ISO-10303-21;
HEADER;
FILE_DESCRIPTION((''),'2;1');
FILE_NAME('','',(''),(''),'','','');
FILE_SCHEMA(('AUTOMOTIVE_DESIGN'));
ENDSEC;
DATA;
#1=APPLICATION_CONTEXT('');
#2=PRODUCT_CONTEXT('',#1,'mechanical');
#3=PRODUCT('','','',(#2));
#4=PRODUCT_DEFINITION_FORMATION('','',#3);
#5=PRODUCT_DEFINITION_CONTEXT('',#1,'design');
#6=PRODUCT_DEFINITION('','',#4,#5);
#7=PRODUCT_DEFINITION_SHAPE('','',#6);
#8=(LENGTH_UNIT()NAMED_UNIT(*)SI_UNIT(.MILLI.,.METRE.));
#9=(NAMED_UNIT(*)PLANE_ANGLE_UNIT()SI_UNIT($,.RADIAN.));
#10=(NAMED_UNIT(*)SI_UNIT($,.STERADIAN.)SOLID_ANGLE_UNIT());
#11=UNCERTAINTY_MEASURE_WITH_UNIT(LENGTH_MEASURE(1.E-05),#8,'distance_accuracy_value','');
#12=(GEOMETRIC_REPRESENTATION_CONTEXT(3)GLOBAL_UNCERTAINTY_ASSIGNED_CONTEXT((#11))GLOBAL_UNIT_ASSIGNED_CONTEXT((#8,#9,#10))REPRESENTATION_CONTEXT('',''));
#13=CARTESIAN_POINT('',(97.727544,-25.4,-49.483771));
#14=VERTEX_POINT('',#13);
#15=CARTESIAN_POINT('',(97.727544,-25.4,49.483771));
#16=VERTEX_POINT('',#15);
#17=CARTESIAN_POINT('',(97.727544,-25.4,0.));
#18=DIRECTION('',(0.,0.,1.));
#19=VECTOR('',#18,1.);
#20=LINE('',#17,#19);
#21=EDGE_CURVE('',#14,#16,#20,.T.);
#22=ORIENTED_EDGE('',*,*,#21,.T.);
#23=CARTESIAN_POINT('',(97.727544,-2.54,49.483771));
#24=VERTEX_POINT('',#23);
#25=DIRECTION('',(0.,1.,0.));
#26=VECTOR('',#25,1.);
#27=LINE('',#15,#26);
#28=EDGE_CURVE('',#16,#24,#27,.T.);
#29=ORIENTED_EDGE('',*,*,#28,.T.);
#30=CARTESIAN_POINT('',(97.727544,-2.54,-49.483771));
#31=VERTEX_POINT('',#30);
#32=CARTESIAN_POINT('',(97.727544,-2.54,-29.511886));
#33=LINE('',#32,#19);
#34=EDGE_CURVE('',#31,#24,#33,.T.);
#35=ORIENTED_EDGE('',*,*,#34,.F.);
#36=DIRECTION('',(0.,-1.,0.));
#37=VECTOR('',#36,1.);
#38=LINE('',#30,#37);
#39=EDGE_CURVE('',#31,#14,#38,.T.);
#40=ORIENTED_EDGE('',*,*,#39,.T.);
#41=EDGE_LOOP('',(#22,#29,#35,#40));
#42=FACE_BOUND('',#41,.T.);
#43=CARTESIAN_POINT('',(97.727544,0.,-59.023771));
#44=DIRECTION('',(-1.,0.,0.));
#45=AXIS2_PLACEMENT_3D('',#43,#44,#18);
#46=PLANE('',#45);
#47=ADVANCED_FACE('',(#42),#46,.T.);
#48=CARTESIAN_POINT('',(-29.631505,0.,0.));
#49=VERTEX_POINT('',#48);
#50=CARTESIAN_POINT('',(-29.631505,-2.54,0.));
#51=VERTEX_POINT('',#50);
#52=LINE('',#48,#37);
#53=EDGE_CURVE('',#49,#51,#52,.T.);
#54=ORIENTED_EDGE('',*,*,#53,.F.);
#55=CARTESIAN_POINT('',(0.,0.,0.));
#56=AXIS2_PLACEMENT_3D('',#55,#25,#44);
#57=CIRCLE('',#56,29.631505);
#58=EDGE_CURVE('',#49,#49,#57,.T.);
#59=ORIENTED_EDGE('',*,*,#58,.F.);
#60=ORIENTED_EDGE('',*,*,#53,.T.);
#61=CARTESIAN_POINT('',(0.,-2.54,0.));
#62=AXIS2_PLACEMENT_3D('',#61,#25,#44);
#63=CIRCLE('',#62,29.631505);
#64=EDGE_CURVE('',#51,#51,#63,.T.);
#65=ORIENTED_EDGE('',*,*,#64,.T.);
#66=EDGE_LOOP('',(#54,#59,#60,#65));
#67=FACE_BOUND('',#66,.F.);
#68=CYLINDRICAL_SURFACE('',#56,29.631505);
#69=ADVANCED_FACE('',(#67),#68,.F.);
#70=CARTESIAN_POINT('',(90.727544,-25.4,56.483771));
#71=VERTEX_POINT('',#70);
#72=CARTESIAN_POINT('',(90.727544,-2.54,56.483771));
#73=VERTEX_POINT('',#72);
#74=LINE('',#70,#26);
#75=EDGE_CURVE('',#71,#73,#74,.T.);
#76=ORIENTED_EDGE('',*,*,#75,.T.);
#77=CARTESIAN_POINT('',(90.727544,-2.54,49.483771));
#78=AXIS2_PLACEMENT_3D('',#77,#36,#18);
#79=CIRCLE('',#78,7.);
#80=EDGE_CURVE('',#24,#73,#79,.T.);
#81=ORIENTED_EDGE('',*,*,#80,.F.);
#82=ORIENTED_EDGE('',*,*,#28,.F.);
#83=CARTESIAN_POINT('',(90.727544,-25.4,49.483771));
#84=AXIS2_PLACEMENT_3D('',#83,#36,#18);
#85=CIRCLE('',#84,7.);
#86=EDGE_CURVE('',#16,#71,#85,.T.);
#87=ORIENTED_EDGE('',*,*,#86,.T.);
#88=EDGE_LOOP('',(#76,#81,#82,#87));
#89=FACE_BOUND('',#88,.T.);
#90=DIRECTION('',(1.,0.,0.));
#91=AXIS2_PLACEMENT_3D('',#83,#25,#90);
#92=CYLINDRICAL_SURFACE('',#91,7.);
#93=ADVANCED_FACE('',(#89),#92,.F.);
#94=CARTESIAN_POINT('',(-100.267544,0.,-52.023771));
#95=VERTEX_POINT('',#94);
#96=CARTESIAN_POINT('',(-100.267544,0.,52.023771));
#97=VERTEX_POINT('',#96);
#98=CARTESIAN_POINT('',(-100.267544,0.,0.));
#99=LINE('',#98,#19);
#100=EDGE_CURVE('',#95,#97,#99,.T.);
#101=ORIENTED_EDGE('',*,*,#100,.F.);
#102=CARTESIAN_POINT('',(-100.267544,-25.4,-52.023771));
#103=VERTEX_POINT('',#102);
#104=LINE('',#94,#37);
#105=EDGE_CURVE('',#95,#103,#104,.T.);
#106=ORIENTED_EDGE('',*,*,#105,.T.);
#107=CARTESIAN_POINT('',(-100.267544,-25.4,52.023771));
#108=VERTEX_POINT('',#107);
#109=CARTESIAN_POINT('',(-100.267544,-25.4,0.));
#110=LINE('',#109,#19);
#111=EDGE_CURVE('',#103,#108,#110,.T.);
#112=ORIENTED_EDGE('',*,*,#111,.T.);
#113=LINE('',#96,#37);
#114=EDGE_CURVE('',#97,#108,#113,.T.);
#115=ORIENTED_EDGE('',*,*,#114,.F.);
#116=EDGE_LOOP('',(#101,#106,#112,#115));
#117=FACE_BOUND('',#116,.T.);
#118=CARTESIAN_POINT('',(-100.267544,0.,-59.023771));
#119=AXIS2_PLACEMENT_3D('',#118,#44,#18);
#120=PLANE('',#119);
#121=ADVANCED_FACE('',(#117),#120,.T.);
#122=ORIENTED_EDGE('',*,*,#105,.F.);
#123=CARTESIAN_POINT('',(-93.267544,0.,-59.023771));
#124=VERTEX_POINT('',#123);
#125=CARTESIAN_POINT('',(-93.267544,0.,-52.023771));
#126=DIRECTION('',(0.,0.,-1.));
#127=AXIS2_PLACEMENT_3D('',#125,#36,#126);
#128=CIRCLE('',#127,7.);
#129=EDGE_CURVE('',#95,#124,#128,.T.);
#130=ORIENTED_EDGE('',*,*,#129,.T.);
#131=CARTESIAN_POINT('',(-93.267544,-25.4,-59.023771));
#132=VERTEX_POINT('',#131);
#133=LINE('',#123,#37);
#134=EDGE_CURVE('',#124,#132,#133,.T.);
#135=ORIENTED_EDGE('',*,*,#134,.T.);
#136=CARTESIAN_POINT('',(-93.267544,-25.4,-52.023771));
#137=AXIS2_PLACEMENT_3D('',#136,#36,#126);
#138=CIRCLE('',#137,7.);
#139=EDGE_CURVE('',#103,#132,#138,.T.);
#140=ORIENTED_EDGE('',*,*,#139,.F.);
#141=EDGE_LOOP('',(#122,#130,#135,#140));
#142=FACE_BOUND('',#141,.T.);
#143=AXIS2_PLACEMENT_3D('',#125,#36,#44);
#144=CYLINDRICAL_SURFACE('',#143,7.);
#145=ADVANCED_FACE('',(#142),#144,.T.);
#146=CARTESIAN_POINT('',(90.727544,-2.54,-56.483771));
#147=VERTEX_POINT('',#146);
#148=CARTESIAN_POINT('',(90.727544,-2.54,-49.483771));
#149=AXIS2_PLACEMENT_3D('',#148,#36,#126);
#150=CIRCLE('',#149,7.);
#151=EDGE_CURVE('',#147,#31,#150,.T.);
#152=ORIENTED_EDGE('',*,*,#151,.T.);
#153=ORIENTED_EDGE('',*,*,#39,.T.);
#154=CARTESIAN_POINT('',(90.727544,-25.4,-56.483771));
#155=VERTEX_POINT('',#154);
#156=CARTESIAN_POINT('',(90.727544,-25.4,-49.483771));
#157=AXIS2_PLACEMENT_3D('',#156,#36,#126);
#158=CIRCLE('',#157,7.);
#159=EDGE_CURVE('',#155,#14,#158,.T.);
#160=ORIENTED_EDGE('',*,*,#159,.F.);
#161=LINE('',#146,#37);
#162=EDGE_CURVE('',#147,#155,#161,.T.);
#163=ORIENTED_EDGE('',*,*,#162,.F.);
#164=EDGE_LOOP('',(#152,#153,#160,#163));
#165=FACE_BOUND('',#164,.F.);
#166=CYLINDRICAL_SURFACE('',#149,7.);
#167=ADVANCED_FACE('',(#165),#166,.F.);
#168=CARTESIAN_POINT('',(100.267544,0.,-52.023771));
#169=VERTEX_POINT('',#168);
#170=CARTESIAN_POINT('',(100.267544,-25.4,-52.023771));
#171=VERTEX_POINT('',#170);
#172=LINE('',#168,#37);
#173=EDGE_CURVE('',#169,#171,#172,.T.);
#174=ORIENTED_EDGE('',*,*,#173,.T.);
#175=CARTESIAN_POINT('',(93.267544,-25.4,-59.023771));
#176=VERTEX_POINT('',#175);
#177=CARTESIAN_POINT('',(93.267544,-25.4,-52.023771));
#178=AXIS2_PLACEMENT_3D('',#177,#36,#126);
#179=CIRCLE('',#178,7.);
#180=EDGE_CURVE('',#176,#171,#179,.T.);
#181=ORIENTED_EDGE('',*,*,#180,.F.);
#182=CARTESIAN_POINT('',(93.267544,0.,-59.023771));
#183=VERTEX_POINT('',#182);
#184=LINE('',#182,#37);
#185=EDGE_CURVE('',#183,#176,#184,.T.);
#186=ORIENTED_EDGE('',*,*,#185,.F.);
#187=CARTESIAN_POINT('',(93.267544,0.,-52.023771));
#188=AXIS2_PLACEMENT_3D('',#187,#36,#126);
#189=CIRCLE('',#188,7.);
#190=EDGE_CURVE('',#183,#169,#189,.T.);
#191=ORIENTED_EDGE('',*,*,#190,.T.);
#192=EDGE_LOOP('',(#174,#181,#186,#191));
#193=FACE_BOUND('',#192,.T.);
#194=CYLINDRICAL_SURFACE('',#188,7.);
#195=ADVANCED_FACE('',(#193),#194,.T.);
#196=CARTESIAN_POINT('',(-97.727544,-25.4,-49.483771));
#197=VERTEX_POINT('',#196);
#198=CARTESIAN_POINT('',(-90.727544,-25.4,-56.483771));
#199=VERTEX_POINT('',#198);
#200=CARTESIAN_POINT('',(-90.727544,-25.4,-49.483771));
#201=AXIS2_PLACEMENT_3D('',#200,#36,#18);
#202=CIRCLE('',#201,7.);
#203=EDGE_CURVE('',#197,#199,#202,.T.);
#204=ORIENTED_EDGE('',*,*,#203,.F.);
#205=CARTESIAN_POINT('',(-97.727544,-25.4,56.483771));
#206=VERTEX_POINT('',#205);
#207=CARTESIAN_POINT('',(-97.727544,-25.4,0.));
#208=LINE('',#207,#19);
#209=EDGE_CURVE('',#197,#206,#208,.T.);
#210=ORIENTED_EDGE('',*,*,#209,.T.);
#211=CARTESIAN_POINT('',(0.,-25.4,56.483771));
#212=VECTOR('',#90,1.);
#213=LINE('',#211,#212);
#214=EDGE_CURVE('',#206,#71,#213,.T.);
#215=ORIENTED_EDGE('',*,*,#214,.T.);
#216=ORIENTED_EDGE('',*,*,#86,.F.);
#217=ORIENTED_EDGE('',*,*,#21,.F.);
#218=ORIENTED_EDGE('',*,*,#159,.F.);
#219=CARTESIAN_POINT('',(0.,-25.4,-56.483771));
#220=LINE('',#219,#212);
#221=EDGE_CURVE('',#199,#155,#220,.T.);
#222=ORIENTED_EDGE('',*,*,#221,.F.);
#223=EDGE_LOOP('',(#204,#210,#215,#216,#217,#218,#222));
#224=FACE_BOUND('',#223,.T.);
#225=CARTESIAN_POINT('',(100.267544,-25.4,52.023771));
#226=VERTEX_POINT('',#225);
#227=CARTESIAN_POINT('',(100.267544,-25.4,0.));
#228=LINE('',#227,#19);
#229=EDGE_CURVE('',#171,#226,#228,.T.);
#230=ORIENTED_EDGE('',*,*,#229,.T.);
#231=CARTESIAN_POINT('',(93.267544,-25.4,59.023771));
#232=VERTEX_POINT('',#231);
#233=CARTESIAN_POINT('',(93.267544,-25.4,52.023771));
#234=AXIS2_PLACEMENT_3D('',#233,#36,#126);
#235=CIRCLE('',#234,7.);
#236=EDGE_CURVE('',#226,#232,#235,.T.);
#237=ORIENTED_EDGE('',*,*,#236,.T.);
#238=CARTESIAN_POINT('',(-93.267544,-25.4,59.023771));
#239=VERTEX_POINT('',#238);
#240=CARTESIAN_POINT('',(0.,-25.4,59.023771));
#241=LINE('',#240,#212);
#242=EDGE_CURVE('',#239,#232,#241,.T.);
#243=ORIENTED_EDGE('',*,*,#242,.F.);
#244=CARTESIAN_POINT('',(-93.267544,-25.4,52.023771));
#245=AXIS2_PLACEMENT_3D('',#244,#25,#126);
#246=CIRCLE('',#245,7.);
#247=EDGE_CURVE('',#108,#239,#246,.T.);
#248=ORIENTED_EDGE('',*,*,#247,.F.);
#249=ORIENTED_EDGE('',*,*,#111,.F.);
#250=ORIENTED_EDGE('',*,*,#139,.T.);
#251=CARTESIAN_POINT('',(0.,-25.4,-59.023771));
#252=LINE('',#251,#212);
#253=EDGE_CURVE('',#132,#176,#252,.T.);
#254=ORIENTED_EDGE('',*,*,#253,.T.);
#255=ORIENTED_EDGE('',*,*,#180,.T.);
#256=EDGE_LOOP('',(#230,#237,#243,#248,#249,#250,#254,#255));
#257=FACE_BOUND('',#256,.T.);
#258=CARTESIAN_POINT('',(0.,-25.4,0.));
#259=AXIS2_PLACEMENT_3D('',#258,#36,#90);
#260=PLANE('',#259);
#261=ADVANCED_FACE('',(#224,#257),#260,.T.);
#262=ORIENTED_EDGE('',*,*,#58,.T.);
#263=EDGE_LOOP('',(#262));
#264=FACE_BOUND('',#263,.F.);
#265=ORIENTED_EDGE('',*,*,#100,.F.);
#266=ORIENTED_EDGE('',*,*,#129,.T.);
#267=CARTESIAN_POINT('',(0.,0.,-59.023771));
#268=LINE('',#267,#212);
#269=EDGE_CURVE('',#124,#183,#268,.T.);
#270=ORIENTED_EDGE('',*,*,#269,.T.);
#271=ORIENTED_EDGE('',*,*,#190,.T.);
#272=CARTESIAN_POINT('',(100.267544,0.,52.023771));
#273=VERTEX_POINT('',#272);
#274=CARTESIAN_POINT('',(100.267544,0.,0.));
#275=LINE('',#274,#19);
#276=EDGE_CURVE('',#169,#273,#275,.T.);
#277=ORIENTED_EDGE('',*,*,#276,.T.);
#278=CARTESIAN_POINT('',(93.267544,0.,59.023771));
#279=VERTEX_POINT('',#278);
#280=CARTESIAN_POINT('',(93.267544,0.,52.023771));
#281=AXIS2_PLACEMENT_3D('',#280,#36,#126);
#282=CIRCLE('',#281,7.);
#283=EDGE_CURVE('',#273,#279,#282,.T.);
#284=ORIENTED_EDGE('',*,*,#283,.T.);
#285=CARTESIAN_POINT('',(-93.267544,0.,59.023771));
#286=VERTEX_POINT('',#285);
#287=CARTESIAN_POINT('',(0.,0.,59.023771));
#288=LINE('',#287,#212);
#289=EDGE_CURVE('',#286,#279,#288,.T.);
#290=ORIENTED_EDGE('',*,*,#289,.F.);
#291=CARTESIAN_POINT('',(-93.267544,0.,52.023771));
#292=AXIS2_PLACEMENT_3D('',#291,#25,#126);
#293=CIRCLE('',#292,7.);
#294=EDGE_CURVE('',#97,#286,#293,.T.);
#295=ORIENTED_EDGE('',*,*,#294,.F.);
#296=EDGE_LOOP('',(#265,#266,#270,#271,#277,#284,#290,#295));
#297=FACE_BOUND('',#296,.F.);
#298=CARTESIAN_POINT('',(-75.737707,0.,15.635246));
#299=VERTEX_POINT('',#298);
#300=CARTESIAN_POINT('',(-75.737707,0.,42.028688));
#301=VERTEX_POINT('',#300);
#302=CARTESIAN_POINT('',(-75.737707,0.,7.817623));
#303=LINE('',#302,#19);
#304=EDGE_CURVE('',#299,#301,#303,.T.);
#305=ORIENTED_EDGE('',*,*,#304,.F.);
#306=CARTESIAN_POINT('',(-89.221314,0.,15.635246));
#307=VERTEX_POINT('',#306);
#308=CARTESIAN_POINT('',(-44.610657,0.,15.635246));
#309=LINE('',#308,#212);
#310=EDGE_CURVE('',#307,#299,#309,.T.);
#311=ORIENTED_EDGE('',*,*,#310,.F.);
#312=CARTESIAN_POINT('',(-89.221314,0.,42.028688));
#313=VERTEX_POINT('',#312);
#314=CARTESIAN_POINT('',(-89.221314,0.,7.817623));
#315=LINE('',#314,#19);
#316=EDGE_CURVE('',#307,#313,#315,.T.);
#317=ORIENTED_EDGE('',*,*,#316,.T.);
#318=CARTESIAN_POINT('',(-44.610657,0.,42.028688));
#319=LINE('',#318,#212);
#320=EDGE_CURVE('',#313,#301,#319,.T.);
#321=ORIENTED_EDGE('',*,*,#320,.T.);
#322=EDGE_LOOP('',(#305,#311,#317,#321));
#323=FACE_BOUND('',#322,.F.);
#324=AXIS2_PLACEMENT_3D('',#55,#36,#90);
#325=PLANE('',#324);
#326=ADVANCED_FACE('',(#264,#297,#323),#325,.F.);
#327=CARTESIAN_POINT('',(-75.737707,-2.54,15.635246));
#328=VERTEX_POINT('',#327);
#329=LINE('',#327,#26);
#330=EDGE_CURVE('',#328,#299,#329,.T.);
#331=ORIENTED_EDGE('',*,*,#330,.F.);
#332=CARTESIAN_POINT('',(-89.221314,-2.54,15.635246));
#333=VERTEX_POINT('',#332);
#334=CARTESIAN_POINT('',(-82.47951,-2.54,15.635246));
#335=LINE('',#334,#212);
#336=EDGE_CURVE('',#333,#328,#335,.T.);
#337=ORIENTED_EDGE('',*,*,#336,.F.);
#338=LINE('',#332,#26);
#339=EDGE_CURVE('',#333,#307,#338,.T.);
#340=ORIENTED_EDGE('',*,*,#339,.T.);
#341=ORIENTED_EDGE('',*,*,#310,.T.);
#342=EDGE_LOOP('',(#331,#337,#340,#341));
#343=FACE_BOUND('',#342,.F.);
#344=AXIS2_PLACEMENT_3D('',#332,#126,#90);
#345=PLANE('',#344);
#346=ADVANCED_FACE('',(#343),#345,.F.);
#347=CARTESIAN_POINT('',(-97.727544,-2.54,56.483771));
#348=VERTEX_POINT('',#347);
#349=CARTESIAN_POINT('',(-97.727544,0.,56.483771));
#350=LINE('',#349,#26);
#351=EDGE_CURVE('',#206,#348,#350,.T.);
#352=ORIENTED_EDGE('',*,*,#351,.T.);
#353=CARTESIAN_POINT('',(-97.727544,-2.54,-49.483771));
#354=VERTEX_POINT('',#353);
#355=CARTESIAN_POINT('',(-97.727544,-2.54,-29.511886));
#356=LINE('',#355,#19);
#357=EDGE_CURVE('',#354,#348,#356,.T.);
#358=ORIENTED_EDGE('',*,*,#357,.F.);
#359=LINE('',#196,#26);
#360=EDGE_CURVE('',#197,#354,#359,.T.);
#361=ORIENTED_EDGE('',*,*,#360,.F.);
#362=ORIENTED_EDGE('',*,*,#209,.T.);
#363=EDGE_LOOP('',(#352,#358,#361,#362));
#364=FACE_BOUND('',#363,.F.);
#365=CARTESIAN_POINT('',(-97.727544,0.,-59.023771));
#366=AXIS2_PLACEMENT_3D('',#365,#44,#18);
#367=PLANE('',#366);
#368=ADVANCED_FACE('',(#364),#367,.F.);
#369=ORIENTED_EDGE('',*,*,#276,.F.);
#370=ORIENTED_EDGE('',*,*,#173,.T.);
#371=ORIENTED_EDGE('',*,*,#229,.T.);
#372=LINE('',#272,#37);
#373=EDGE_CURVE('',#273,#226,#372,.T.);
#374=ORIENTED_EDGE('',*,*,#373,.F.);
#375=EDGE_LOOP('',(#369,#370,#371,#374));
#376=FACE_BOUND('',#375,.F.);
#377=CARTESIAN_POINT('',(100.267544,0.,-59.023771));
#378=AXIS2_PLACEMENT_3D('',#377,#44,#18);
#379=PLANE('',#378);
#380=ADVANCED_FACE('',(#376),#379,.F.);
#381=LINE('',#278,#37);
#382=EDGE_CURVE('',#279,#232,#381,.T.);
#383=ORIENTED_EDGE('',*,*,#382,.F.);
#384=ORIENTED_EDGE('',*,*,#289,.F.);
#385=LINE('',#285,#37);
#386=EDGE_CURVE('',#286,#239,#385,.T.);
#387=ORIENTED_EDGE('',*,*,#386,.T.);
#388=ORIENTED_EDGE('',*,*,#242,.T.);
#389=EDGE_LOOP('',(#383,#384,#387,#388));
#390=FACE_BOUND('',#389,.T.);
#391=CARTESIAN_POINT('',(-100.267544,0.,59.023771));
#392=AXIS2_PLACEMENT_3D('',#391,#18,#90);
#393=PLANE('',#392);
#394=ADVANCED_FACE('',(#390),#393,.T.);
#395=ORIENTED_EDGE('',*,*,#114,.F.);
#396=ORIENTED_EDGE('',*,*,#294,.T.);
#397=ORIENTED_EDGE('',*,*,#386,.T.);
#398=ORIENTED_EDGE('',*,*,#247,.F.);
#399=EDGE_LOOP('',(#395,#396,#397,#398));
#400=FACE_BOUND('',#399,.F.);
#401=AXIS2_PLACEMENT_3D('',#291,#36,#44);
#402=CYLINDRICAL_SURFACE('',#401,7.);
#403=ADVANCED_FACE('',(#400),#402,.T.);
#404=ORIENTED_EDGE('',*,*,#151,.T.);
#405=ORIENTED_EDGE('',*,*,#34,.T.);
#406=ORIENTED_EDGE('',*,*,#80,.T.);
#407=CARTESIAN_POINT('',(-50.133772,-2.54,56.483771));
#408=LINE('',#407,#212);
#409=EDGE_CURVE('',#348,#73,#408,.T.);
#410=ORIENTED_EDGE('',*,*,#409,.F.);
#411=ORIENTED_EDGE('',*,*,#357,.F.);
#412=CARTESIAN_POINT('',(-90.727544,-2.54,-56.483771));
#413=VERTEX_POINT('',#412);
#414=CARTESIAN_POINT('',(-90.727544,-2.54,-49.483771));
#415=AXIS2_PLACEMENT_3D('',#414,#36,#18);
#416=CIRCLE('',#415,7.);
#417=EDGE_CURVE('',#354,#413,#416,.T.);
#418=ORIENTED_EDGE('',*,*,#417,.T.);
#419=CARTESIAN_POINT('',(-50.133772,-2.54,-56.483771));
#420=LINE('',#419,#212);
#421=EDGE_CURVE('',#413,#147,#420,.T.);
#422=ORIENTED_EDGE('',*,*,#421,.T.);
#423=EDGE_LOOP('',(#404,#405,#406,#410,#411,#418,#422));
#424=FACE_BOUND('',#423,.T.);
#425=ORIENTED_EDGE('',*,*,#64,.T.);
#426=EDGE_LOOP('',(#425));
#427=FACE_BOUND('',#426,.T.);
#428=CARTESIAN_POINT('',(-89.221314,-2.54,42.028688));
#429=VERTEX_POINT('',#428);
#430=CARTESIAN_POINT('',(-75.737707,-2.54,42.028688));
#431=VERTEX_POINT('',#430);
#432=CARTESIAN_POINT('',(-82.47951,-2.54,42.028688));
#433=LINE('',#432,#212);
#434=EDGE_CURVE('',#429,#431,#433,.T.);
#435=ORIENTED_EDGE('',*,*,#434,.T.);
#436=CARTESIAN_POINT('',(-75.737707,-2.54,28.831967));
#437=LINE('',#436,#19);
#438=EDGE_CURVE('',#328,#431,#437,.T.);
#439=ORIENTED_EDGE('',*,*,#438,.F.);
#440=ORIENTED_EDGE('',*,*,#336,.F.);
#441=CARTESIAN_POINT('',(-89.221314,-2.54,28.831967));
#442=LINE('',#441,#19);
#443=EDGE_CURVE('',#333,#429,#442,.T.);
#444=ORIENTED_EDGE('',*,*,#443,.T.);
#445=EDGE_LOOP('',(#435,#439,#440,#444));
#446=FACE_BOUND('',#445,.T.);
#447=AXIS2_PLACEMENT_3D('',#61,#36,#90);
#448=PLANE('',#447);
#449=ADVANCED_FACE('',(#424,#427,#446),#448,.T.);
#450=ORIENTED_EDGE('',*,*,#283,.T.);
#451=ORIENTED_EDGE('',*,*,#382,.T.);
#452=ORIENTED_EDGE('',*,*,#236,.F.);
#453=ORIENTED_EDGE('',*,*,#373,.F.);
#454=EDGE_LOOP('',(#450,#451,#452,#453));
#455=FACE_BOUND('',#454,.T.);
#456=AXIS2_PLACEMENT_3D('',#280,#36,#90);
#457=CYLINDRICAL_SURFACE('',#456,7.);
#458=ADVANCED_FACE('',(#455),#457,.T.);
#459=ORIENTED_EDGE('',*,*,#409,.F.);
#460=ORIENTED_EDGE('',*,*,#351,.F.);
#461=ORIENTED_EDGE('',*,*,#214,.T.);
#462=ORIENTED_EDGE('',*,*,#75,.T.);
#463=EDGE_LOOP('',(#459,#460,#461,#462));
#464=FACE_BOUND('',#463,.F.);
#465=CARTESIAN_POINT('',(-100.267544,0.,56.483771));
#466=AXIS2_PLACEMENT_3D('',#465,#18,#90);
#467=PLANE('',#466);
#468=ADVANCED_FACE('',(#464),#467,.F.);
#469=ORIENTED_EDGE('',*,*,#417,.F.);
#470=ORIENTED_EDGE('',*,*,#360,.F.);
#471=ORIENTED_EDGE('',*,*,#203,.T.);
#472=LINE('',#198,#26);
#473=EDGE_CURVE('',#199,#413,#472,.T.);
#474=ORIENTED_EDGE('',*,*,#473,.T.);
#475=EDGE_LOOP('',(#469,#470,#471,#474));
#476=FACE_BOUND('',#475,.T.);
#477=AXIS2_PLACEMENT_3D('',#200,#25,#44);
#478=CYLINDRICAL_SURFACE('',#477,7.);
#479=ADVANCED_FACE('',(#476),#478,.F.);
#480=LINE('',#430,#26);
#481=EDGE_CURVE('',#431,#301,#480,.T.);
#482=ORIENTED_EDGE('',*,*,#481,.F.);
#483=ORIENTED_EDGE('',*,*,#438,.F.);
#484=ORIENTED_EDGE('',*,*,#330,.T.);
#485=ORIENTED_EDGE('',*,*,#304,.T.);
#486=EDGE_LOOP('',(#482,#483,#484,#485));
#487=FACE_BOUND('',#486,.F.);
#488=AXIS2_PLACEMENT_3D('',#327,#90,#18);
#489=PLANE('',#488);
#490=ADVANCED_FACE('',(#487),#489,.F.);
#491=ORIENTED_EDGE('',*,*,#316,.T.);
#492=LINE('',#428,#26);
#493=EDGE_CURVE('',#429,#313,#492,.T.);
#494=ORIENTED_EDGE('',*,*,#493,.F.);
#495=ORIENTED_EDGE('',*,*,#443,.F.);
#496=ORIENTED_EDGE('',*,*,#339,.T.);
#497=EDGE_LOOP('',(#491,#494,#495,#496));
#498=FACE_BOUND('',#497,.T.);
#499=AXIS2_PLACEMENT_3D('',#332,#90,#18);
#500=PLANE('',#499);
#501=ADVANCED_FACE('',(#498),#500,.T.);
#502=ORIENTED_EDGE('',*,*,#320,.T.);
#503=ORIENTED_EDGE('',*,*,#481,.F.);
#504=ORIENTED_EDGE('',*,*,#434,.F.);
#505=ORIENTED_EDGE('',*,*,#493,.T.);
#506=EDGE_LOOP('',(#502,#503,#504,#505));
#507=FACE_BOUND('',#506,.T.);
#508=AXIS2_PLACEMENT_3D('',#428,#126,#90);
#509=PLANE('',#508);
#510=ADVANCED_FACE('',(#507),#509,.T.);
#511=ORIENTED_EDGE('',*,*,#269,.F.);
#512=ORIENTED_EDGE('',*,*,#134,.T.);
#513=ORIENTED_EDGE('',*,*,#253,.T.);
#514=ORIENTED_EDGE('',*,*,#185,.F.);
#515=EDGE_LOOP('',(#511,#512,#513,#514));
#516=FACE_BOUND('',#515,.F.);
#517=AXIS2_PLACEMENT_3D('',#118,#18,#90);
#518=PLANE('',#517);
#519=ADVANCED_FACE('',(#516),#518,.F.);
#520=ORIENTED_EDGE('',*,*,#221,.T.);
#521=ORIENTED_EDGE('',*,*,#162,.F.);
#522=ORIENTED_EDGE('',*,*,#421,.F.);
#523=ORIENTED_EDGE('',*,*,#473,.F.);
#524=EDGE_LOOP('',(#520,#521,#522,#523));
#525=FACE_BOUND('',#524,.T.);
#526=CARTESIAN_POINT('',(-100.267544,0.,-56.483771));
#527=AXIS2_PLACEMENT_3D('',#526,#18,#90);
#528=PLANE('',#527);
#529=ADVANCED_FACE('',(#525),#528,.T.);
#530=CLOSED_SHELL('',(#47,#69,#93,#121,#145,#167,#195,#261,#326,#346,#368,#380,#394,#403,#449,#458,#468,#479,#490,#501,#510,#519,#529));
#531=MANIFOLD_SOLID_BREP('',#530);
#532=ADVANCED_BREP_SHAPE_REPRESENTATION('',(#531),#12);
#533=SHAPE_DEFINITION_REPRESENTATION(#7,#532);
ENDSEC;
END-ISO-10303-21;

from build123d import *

# Parameters (mm, degrees)
F0_W     = 200.5350887775
F0_H     = 118.04754287
F1_DEPTH = 25.4
F2_T     = -2.54
F3_R     = 7
F4_W     = 13.4836062789
F4_H     = 26.3934414834
F5_DEPTH = 25
F6_R     = 29.6315052435
F7_DEPTH = 25


with BuildPart() as f1:
    # F0 (on Front) → F1 (new body)
    with BuildSketch(Plane.XZ):
        Rectangle(F0_W, F0_H)
    extrude(amount=F1_DEPTH)

    # F2
    f2_openings = [f1.faces().sort_by_distance(p)[0] for p in [
        (0, -25.4, 0),
    ]]
    offset(amount=F2_T, openings=f2_openings)

    # F3
    f3_edges = [f1.edges().sort_by_distance(p)[0] for p in [
        (-100.267544, -12.7, 59.023771),
        (100.267544, -12.7, 59.023771),
        (100.267544, -12.7, -59.023771),
        (-100.267544, -12.7, -59.023771),
        (97.727544, -13.97, 56.483771),
        (97.727544, -13.97, -56.483771),
        (-97.727544, -13.97, -56.483771),
    ]]
    fillet(f3_edges, radius=F3_R)

    # F4 (on face) → F5 (cut)
    with BuildSketch(Plane.XZ.offset(2.54)):
        with Locations((-82.4795104563, 28.8319671527)):
            Rectangle(F4_W, F4_H)
    extrude(amount=-F5_DEPTH, mode=Mode.SUBTRACT)

    # F6 (on face) → F7 (cut)
    with BuildSketch(Plane(origin=(0, 0, 0), x_dir=(-1, 0, 0), z_dir=(0, 1, 0))):
        Circle(F6_R)
    extrude(amount=-F7_DEPTH, mode=Mode.SUBTRACT)


solid = f1.part
